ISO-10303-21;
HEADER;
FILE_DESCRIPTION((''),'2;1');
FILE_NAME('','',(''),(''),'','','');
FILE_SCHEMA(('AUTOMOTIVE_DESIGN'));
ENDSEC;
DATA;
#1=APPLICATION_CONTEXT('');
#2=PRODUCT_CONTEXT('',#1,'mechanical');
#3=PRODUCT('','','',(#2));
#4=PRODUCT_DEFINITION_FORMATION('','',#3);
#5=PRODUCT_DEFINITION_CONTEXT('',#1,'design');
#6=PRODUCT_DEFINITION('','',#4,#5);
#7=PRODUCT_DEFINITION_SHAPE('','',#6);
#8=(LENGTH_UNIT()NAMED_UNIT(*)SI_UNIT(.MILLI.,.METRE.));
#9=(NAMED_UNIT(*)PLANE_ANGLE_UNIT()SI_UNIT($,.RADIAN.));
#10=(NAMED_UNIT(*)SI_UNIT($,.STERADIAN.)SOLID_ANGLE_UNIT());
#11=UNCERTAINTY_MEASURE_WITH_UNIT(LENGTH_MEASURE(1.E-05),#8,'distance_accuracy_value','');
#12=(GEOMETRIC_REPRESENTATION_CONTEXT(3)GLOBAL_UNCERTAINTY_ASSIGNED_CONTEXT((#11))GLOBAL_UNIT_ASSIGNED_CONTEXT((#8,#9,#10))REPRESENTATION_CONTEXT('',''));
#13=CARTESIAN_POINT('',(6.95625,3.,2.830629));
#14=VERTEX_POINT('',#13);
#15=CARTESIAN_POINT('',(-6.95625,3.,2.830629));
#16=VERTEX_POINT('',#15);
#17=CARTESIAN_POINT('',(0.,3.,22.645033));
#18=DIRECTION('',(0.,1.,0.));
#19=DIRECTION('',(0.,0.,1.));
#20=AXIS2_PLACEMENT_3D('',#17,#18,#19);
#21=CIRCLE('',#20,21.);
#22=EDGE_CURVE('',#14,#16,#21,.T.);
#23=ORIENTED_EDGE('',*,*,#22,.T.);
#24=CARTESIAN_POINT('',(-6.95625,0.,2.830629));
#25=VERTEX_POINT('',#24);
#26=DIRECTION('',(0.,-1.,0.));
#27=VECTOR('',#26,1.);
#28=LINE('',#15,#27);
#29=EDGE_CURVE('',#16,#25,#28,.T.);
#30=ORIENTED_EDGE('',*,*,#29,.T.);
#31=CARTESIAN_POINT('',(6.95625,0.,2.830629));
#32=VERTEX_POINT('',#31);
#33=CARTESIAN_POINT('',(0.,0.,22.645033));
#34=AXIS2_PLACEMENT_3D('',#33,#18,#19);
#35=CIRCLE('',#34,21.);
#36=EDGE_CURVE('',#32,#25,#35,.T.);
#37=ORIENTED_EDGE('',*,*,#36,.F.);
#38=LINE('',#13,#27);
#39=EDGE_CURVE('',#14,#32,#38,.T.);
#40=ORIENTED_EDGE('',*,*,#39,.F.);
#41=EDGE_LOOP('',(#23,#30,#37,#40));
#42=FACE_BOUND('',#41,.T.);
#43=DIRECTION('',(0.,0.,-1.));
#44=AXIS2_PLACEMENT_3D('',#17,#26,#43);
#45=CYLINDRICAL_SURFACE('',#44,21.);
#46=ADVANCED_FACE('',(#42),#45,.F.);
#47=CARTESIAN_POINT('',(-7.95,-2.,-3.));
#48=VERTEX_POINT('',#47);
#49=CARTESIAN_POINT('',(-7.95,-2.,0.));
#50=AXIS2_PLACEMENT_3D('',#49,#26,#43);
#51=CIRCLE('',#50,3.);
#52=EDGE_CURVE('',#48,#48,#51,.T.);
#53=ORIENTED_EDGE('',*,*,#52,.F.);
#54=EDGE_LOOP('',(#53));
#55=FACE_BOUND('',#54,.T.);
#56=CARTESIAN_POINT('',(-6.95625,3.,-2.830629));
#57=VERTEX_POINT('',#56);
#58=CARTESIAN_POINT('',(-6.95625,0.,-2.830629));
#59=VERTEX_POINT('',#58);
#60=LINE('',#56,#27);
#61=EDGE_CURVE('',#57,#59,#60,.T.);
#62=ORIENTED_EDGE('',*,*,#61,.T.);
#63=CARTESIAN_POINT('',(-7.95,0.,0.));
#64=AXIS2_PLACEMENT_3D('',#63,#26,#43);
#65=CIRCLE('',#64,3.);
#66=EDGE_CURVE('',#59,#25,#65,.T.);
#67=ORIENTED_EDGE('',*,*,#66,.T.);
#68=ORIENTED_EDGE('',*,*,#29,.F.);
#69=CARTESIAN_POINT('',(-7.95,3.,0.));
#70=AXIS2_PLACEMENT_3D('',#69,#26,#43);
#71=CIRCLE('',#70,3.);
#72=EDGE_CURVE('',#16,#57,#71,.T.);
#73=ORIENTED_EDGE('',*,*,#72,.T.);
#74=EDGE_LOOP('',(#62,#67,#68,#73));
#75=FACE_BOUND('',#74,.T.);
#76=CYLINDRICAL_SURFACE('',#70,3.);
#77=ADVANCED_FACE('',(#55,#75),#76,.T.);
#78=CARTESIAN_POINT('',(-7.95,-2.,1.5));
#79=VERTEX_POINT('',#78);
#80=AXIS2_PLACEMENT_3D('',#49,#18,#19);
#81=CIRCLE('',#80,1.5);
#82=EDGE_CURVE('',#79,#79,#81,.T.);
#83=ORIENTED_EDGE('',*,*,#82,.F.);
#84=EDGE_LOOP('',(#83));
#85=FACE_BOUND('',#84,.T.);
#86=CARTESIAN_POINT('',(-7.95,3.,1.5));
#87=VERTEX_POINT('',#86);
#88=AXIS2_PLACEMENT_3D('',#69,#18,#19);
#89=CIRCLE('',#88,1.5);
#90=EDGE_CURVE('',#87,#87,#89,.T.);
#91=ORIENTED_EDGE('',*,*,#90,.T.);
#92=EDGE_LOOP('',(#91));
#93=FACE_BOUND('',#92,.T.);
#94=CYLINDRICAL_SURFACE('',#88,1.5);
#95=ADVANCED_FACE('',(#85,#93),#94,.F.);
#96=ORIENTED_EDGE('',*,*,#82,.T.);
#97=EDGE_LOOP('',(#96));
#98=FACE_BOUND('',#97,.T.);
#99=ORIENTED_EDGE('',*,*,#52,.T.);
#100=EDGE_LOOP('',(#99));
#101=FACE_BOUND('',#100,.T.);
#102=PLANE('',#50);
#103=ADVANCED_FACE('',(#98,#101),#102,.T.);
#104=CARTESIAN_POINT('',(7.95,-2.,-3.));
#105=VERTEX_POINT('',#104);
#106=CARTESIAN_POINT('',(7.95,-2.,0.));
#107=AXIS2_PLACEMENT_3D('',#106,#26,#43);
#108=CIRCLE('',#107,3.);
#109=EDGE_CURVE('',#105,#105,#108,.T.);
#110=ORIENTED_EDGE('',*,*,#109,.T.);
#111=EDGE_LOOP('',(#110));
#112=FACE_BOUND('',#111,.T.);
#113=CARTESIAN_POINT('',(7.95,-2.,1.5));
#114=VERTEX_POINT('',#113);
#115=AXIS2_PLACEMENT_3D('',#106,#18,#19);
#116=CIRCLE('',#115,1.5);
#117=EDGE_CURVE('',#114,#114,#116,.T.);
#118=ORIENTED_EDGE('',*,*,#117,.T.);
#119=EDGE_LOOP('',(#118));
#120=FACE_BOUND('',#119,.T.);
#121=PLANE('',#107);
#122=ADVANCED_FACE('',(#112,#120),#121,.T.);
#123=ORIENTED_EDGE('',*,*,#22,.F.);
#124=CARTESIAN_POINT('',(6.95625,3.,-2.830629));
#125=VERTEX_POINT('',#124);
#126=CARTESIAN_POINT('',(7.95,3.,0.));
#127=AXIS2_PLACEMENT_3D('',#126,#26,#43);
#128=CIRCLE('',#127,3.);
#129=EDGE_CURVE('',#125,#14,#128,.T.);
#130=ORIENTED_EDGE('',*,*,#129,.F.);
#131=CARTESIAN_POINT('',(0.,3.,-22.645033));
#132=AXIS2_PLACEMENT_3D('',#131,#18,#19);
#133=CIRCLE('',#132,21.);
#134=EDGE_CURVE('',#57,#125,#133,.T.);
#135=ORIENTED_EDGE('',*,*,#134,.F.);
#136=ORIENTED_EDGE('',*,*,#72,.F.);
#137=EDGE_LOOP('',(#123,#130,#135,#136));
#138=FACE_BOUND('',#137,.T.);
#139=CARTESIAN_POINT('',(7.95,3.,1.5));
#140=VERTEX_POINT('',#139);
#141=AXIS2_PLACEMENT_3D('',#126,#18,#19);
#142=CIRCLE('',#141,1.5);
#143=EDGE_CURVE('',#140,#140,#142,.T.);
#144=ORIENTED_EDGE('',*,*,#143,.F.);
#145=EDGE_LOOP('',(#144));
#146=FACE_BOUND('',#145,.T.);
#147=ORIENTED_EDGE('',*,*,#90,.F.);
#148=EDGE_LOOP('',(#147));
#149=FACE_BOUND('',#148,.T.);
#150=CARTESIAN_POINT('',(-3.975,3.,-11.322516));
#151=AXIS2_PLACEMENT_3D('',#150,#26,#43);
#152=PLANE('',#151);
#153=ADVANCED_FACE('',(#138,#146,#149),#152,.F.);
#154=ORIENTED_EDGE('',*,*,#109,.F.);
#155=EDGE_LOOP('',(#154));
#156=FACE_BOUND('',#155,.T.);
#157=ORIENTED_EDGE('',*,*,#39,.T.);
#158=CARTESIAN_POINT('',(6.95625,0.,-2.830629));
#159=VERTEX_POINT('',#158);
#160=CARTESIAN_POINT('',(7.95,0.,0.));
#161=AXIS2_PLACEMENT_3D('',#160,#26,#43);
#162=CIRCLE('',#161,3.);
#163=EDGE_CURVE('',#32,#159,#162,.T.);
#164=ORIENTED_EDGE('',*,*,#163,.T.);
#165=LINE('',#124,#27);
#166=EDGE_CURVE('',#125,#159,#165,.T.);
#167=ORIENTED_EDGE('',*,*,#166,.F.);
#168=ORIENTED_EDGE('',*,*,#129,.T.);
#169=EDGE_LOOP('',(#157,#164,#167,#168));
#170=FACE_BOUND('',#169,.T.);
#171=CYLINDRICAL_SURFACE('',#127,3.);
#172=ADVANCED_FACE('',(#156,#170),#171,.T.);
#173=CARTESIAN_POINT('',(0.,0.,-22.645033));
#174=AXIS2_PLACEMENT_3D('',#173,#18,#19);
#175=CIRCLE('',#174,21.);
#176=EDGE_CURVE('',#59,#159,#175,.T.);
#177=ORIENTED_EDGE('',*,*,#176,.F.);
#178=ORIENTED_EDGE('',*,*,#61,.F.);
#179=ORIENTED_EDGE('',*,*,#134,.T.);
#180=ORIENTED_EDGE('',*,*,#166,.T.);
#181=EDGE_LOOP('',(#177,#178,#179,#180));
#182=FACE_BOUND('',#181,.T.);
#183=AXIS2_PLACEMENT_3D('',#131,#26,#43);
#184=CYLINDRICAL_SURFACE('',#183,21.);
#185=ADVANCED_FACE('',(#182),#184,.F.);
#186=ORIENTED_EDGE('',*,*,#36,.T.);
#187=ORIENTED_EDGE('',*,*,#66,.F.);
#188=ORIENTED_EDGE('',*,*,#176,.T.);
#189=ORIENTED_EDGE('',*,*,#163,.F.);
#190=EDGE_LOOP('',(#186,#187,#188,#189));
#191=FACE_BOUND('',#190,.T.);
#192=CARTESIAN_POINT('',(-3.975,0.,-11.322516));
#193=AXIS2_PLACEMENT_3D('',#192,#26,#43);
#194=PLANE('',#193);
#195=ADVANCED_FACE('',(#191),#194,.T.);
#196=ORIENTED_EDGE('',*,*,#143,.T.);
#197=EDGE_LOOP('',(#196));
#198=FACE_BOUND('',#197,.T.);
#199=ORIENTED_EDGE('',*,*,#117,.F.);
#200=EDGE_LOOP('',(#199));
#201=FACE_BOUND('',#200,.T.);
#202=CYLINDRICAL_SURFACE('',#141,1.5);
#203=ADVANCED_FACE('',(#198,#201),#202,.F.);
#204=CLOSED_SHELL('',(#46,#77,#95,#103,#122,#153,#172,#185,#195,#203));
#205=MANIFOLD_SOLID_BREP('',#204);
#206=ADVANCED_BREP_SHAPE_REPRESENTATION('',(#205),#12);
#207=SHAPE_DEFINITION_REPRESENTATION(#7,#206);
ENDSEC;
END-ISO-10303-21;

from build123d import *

# Parameters (mm, degrees)
EXTRUDE_1_DEPTH          = 3
EXTRUDE_START            = 2
SKETCH_2_R               = 3
EXTRUDE_2_DEPTH          = 2
SKETCH_3_R               = 3
EXTRUDE_3_DEPTH          = 2
F_3_0_3_DIAMETER_HOLE1_D = 3


with BuildPart() as part:
    # 草图1 → 凸台-拉伸1 (new body)
    with BuildSketch(Plane.XZ):
        with BuildLine():
            ThreePointArc((-6.95625, -2.830629071), (0, -1.645032568), (6.95625, -2.830629071))
            ThreePointArc((6.95625, -2.830629071), (10.95, 0), (6.95625, 2.830629071))
            ThreePointArc((6.95625, 2.830629071), (0, 1.645032568), (-6.95625, 2.830629071))
            ThreePointArc((-6.95625, 2.830629071), (-10.95, 0), (-6.95625, -2.830629071))
        make_face()
    extrude(amount=-EXTRUDE_1_DEPTH)

    # 草图2 → 凸台-拉伸2 (add)
    with BuildSketch(Plane.XZ.offset(EXTRUDE_START)):
        with Locations(Location((7.95, 0, 0), (0, 0, 269.999999998))):
            Circle(SKETCH_2_R)
    extrude(amount=-EXTRUDE_2_DEPTH)

    # 草图3 → 凸台-拉伸3 (add)
    with BuildSketch(Plane.XZ.offset(EXTRUDE_START)):
        with Locations(Location((-7.95, 0, 0), (0, 0, 270))):
            Circle(SKETCH_3_R)
    extrude(amount=-EXTRUDE_3_DEPTH)

    # Ø3.0 (3) Diameter Hole1 (through all)
    with Locations(Plane(origin=(0, 3, 0), x_dir=(1, 0, 0), z_dir=(0, 1, 0))):
        with Locations((-7.95, 0), (7.95, 0)):
            Hole(F_3_0_3_DIAMETER_HOLE1_D / 2)


solid = part.part
